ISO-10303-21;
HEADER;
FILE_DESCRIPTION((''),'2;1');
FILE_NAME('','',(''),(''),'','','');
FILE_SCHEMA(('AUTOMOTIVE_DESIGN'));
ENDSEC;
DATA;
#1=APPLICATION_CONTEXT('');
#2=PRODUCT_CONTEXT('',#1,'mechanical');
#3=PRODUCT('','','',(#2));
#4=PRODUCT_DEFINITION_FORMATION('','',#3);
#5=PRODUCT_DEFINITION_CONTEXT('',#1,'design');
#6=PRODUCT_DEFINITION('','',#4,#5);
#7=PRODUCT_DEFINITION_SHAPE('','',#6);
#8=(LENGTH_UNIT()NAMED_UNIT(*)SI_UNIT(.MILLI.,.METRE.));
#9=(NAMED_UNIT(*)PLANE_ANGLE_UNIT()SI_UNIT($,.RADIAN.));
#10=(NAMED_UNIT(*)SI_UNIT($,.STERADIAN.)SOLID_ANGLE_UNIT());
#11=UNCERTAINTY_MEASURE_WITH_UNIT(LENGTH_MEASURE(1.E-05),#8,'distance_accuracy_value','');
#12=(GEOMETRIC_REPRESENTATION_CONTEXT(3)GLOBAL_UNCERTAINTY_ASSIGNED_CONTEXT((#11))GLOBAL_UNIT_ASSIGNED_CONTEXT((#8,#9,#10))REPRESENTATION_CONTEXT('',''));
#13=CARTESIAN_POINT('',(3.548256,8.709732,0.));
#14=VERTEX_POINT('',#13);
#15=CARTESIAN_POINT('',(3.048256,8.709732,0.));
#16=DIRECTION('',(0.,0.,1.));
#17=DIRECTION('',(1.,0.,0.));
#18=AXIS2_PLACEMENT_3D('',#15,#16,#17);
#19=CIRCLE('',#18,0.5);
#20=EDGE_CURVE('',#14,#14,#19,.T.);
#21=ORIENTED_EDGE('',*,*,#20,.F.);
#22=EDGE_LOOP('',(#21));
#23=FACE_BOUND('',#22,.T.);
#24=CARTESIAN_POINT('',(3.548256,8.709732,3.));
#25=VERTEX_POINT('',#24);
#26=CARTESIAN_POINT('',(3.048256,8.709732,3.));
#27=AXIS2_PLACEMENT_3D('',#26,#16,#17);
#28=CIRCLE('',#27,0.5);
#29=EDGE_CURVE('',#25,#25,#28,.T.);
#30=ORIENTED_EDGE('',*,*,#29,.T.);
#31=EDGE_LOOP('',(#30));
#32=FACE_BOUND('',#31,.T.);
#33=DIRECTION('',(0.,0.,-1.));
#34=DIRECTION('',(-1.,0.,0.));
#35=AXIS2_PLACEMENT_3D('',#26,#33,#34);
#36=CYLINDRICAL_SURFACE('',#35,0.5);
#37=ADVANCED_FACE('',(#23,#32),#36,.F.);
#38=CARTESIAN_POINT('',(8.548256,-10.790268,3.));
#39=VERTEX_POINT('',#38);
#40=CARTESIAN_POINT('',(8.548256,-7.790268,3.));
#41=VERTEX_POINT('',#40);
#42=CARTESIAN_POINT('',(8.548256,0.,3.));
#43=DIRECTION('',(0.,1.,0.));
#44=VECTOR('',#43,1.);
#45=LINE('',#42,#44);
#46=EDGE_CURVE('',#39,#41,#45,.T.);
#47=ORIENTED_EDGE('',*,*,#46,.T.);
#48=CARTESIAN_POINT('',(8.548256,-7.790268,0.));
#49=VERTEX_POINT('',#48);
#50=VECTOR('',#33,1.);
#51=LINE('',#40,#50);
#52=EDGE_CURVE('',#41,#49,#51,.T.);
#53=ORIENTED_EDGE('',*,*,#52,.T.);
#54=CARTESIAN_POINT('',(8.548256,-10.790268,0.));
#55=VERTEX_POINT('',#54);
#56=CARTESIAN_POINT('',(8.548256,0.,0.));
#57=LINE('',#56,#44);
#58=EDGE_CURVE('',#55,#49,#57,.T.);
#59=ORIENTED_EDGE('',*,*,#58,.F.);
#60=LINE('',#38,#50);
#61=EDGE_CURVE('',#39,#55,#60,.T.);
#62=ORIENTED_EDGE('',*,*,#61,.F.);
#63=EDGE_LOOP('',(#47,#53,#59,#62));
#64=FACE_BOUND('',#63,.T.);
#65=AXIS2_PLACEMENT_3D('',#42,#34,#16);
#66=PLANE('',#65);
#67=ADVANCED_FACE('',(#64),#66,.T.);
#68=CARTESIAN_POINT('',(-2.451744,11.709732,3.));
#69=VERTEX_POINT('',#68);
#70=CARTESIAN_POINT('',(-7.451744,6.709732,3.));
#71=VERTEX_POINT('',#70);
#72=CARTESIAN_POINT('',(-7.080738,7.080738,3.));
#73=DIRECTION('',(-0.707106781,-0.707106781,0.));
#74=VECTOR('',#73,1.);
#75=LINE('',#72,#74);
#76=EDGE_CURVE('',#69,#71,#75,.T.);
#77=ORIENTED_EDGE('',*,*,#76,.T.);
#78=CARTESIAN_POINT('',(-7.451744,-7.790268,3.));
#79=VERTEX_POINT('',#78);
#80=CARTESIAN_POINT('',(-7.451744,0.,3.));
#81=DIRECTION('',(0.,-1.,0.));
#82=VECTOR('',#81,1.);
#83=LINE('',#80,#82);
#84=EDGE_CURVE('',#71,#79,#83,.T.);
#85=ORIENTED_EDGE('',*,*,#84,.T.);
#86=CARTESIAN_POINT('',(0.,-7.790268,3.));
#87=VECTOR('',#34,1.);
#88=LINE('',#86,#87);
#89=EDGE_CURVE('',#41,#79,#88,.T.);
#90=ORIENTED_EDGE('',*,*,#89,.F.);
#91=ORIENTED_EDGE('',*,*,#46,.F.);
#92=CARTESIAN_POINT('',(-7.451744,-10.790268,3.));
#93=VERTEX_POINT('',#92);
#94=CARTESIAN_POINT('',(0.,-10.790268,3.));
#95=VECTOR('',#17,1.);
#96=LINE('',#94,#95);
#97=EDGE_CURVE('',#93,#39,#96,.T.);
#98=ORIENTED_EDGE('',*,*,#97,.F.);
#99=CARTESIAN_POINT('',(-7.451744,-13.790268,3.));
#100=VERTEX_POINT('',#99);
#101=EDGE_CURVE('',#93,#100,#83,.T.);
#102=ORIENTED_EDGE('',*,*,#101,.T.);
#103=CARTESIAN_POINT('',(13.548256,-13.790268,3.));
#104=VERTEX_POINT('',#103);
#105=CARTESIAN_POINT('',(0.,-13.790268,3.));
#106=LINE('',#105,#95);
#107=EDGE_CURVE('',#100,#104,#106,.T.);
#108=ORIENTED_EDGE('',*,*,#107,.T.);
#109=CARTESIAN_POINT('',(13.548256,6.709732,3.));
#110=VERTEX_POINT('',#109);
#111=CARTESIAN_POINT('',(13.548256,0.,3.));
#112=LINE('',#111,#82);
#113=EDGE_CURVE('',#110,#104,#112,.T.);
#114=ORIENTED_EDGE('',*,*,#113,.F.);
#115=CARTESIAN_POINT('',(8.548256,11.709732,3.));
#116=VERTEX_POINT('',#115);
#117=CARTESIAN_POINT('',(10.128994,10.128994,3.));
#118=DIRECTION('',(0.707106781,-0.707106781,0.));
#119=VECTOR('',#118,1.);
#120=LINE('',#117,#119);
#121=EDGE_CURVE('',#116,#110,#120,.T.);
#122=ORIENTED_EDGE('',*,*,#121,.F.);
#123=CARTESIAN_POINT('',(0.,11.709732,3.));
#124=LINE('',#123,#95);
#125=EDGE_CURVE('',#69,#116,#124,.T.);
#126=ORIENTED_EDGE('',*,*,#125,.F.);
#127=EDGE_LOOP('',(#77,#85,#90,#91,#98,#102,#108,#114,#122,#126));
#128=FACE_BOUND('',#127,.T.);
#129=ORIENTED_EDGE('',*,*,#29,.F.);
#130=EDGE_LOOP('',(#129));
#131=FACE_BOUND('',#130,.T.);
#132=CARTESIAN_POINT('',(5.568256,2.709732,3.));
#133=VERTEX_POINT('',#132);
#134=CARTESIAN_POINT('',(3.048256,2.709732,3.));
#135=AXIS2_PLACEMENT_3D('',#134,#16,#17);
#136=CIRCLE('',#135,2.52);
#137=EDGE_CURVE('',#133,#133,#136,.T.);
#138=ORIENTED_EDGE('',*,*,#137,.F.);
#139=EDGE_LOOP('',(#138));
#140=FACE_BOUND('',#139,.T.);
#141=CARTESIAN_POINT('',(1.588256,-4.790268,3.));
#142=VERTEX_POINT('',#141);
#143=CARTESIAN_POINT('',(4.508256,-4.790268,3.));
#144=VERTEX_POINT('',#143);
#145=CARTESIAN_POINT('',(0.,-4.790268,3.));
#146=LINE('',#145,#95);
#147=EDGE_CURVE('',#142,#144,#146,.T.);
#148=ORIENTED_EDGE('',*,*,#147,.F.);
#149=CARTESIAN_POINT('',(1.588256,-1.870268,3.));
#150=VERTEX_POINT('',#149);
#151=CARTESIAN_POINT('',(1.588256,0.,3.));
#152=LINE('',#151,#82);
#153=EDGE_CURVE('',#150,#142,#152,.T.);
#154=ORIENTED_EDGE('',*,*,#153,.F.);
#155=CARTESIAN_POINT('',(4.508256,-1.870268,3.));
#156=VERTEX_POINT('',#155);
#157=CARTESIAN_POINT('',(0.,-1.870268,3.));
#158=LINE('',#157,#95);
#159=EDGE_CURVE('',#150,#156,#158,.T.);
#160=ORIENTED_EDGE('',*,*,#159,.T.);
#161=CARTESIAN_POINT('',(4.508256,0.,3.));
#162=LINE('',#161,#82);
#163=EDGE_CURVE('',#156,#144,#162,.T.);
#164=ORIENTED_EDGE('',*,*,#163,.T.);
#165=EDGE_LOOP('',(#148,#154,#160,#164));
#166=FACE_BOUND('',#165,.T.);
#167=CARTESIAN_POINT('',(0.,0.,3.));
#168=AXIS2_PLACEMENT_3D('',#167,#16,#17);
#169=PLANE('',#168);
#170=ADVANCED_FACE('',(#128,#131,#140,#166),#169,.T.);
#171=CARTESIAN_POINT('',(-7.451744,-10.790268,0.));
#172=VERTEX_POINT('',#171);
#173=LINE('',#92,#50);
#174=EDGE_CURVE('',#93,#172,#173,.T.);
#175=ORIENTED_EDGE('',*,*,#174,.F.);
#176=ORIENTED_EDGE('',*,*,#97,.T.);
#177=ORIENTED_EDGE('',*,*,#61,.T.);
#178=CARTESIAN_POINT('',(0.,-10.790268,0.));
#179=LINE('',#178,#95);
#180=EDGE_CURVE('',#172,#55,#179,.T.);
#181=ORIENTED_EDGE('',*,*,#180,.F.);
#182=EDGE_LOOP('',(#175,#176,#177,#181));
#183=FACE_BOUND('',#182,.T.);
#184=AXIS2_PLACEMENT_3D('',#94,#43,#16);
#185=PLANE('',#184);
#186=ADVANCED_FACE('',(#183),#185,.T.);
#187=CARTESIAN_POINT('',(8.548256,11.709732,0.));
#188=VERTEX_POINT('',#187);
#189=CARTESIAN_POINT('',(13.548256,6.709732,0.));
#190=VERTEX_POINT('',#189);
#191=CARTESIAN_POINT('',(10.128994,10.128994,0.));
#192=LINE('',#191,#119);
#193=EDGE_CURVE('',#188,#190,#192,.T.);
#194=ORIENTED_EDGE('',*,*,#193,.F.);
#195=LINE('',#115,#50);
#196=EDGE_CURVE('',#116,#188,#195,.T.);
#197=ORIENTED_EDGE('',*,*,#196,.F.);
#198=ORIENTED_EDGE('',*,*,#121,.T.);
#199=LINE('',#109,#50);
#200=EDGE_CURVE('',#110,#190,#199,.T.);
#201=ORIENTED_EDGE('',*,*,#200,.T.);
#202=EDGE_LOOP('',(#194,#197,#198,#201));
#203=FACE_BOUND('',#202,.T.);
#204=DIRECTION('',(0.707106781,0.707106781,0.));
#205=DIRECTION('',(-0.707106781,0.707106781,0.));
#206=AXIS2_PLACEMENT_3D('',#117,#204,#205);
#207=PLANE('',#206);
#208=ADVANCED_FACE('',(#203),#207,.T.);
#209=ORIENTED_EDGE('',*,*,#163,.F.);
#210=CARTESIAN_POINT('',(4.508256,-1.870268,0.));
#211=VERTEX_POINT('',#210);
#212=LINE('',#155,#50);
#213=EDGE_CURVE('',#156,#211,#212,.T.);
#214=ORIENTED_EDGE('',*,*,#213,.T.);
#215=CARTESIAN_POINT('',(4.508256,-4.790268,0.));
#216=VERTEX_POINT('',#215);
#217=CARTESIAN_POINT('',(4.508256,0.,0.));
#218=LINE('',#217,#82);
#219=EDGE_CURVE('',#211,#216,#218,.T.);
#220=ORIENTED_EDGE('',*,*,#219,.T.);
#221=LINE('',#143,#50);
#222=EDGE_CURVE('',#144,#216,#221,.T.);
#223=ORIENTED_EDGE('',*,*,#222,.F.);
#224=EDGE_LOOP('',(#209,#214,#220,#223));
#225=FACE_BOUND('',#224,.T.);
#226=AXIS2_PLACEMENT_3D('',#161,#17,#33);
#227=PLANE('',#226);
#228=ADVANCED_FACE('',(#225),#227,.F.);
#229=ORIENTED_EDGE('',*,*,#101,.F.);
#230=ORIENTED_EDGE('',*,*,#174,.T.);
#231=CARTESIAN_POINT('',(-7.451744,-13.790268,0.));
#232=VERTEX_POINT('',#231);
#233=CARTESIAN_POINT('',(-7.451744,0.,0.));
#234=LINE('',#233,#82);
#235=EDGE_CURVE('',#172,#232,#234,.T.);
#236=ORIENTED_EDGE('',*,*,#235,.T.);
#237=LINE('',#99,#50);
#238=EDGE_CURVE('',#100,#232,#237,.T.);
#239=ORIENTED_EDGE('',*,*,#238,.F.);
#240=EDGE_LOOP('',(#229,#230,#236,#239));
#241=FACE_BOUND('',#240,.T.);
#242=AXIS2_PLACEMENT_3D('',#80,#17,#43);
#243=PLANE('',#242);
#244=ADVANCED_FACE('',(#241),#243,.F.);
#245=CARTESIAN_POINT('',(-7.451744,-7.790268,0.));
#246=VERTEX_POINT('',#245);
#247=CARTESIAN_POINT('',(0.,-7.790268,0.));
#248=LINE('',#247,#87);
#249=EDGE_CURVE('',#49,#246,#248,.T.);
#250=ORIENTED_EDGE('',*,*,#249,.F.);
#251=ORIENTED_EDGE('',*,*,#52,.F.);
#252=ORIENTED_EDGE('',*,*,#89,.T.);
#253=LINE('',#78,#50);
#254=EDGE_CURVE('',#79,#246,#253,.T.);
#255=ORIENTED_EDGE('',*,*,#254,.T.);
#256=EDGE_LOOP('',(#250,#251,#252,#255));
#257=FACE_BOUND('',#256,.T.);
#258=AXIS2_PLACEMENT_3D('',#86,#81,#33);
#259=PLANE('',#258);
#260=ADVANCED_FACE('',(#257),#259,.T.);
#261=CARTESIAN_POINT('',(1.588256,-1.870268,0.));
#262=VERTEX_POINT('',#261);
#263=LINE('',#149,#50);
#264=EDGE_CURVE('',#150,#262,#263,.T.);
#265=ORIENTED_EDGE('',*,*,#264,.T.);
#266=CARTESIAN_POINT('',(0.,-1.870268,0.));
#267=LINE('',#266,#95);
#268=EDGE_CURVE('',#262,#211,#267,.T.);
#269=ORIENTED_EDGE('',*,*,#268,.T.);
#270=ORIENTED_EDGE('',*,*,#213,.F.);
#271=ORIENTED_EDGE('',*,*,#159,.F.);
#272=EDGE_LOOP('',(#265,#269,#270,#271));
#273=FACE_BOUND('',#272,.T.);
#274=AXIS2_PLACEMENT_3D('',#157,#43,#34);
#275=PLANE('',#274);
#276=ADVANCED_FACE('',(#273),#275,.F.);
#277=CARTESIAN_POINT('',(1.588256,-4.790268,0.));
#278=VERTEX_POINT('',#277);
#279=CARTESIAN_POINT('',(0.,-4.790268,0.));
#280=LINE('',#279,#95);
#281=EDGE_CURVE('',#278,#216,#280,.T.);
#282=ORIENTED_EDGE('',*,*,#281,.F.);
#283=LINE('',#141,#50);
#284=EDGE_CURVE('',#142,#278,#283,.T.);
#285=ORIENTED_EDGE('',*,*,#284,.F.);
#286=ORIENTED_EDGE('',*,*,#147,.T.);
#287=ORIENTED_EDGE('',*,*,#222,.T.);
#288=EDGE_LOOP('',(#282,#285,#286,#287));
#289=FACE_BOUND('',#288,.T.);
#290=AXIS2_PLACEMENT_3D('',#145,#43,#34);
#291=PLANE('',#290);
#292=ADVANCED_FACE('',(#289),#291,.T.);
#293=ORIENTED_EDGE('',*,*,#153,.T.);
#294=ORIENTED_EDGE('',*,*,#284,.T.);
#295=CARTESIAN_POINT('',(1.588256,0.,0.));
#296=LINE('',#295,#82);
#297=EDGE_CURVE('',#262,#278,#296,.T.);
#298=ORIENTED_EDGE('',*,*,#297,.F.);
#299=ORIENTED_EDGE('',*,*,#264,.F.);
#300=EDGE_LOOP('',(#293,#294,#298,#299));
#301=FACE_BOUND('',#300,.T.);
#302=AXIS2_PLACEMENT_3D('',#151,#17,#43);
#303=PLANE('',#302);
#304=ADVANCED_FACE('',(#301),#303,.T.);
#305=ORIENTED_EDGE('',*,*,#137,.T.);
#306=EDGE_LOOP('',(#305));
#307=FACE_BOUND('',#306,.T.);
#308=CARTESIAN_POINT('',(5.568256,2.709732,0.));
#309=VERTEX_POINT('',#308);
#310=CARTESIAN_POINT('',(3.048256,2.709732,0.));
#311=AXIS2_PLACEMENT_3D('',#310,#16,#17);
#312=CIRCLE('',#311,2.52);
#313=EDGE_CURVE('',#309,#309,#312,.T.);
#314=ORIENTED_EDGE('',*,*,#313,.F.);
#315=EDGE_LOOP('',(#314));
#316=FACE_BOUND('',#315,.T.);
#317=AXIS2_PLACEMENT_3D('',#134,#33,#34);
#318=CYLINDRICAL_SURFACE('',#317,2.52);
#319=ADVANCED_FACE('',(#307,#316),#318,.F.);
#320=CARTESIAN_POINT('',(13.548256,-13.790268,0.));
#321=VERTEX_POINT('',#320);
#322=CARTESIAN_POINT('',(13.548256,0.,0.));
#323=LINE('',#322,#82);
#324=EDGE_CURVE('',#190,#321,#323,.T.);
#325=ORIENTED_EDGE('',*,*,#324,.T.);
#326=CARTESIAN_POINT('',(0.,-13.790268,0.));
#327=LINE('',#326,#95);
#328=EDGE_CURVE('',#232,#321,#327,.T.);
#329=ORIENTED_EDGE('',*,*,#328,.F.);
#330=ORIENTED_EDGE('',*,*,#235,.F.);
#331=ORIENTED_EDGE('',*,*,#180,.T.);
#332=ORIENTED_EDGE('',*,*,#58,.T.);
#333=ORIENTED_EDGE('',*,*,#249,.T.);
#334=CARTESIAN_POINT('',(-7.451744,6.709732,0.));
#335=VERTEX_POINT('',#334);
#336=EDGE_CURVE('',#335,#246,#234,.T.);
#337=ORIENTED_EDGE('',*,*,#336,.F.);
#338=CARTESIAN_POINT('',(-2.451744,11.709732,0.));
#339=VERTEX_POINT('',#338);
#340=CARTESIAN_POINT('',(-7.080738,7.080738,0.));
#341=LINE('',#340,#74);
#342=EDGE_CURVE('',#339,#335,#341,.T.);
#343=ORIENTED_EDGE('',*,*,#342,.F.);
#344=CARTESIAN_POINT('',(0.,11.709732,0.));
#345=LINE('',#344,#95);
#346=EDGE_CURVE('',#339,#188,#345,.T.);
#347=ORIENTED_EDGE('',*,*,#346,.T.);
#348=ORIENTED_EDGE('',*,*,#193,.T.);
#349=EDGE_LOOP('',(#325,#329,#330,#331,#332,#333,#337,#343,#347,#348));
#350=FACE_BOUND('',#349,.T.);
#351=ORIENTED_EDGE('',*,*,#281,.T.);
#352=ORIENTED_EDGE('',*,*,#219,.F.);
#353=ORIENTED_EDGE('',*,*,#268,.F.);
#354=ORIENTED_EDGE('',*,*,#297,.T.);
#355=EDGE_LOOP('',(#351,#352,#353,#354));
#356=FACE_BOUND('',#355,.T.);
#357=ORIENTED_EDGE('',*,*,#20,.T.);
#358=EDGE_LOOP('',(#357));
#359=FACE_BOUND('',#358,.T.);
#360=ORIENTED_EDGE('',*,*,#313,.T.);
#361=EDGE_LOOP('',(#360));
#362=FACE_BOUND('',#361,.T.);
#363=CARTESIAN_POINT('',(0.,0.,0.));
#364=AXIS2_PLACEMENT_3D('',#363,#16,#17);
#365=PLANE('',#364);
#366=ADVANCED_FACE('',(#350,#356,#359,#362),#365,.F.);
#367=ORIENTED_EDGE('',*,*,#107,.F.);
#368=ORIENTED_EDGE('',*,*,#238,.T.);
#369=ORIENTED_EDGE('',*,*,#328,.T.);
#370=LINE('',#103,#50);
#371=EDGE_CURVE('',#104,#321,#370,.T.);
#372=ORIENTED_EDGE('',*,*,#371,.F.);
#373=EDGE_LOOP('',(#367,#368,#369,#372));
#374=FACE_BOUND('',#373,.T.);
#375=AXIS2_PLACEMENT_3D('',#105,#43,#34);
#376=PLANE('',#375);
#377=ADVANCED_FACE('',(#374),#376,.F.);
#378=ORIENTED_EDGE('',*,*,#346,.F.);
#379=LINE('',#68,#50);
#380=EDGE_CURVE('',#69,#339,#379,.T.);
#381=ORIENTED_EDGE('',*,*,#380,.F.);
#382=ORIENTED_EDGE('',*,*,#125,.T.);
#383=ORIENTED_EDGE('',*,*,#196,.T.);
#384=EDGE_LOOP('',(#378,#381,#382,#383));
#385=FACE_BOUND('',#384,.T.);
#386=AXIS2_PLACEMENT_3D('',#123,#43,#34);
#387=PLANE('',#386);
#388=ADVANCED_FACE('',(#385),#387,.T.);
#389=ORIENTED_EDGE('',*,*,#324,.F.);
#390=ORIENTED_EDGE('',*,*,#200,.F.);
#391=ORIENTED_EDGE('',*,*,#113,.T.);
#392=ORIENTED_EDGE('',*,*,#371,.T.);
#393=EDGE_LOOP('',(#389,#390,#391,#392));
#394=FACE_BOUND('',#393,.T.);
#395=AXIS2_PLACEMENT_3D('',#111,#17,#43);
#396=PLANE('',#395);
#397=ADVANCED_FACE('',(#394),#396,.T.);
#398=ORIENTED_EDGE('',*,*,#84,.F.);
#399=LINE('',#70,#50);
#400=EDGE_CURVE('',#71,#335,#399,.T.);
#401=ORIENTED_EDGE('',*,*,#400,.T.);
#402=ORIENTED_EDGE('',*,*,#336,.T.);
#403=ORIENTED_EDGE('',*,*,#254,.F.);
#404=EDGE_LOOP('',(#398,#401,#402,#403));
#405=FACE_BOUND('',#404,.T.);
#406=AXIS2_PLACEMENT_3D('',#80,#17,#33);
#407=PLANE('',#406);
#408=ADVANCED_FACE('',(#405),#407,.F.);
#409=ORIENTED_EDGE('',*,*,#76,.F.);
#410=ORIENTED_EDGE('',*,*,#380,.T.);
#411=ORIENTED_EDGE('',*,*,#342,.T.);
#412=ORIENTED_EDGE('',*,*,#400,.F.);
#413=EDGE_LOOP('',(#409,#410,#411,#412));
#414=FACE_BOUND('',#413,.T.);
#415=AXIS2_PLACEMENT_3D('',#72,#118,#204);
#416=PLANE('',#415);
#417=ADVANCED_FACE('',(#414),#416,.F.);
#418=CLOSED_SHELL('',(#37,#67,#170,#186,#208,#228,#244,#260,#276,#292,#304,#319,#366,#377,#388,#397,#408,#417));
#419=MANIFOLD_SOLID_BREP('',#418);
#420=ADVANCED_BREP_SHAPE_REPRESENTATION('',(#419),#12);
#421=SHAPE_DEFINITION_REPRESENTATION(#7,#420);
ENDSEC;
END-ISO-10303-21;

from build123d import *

# Parameters (mm, degrees)
SKETCH1_W           = 2.92
SKETCH1_H           = 2.92
SKETCH1_R           = 2.52
SKETCH1_R_2         = 0.5
BOSS_EXTRUDE1_DEPTH = 3


with BuildPart() as part:
    # Sketch1 → Boss-Extrude1 (new body)
    with BuildSketch(Plane.XY):
        Polygon((13.5482559, 6.709731544), (8.5482559, 11.709731544), (-2.4517441, 11.709731544), (-7.4517441, 6.709731544), (-7.4517441, -7.790268456), (8.5482559, -7.790268456), (8.5482559, -10.790268456), (-7.4517441, -10.790268456), (-7.4517441, -13.790268456), (13.5482559, -13.790268456), align=None)
        with Locations((3.0482559, -3.330268456)):
            Rectangle(SKETCH1_W, SKETCH1_H, mode=Mode.SUBTRACT)
        with Locations((3.0482559, 2.709731544)):
            Circle(SKETCH1_R, mode=Mode.SUBTRACT)
        with Locations((3.0482559, 8.709731544)):
            Circle(SKETCH1_R_2, mode=Mode.SUBTRACT)
    extrude(amount=BOSS_EXTRUDE1_DEPTH)


solid = part.part
